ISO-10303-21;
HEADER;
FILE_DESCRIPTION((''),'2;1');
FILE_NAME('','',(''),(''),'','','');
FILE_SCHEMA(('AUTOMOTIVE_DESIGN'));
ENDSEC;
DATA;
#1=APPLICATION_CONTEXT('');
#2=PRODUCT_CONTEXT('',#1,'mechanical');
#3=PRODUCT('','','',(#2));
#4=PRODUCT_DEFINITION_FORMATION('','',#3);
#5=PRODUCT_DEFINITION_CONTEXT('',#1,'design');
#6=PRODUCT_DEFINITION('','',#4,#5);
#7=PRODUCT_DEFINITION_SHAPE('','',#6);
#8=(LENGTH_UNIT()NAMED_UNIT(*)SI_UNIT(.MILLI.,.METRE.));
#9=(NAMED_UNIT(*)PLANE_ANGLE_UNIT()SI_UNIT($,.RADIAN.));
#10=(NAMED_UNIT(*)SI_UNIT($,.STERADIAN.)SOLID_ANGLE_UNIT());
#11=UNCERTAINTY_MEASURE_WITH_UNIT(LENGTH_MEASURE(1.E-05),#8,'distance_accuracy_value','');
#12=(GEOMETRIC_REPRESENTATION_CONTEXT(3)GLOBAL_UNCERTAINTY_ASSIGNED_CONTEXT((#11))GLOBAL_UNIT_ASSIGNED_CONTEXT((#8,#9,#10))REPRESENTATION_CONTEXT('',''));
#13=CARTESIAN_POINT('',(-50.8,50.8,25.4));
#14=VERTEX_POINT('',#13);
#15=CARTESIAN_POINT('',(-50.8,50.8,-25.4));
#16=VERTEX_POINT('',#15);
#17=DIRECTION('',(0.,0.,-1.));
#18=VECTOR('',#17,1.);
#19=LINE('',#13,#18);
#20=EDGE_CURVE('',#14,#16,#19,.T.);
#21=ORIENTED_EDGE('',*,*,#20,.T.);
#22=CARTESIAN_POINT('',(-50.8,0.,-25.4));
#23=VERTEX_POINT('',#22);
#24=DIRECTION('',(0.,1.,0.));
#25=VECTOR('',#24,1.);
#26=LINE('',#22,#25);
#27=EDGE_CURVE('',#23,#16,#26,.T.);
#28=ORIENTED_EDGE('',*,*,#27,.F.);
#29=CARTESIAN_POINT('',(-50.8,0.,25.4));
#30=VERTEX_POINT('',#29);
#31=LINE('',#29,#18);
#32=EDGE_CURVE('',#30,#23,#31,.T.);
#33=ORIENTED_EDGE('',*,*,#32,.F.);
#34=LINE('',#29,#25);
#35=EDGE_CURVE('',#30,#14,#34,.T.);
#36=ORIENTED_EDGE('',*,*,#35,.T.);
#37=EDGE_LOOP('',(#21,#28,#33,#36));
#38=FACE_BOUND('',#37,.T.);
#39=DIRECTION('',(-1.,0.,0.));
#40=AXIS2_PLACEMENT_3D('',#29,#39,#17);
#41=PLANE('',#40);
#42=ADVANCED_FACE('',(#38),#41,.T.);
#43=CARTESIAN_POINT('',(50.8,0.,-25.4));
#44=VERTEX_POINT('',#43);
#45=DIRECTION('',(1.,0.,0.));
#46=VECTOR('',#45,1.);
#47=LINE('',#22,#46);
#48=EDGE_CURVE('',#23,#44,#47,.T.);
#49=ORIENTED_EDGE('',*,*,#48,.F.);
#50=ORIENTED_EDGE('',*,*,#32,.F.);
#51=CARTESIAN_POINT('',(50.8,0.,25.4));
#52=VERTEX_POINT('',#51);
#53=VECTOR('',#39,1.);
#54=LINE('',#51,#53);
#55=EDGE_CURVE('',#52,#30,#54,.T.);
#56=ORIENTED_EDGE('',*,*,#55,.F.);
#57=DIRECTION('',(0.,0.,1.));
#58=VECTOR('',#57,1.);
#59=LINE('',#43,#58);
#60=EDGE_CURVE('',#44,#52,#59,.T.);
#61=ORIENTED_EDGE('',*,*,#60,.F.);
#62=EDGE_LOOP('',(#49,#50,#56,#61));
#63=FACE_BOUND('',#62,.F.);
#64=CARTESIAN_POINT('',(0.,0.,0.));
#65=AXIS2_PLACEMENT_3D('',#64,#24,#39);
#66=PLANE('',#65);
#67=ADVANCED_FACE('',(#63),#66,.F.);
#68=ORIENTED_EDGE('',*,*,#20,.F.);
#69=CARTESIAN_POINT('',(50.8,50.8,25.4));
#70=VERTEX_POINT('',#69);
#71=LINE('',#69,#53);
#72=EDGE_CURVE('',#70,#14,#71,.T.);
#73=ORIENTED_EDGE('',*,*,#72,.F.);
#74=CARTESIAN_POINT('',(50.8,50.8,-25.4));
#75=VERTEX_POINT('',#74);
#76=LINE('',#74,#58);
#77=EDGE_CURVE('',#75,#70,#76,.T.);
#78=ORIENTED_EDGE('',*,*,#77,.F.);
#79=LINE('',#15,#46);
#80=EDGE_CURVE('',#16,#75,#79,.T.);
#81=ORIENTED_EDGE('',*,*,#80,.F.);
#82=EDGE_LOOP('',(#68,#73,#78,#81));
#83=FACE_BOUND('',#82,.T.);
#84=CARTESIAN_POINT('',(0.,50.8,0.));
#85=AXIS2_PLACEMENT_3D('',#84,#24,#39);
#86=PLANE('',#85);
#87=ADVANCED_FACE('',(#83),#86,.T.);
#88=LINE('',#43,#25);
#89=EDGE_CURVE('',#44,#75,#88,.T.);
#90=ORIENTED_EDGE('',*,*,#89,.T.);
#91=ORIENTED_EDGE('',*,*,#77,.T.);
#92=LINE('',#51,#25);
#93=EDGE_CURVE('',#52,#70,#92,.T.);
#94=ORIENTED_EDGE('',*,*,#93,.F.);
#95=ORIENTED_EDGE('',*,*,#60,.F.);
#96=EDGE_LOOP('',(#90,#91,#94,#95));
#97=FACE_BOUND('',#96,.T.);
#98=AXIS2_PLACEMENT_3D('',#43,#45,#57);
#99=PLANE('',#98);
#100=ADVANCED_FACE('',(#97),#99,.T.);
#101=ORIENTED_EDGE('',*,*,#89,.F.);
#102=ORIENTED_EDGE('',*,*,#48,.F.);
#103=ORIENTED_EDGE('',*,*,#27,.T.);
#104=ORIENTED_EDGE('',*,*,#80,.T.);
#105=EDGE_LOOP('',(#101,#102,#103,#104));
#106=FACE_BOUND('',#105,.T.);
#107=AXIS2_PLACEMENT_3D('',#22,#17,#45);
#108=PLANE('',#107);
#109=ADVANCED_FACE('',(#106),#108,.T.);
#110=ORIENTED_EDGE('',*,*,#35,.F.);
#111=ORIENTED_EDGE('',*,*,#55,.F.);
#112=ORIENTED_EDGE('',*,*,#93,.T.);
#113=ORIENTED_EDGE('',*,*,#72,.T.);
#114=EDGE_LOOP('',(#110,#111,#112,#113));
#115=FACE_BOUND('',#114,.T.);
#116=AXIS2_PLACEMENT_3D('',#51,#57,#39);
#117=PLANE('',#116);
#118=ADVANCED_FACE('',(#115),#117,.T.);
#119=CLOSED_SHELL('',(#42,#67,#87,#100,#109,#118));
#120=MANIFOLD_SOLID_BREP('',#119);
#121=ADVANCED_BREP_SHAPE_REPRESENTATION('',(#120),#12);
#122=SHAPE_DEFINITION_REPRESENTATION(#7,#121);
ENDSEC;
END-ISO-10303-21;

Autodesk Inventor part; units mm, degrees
ref_plane "YZ Plane" through (0, 0, 0) normal (1, 0, 0) x (0, 1, 0)
ref_plane "XZ Plane" through (0, 0, 0) normal (0, 1, 0) x (-1, 0, 0)
ref_plane "XY Plane" through (0, 0, 0) normal (0, 0, 1) x (1, 0, 0)
sketch "Sketch1" plane through (0, 0, 0) normal (0, 1, 0) x (-1, 0, 0)
  line L0 (-50.8, 25.4) -> (50.8, 25.4)
  line L1 (50.8, 25.4) -> (50.8, -25.4)
  line L2 (50.8, -25.4) -> (-50.8, -25.4)
  line L3 (-50.8, -25.4) -> (-50.8, 25.4)
  line L4 (-50.8, 25.4) -> (50.8, -25.4) construction
  line L5 (50.8, 25.4) -> (-50.8, -25.4) construction
  point P0 (0, 0)
  dimension "d0" = 101.6
  dimension "d1" = 50.8
extrude "Extrusion1" add sketch "Sketch1" along normal blind 50.8
properties part number "BX11111"
